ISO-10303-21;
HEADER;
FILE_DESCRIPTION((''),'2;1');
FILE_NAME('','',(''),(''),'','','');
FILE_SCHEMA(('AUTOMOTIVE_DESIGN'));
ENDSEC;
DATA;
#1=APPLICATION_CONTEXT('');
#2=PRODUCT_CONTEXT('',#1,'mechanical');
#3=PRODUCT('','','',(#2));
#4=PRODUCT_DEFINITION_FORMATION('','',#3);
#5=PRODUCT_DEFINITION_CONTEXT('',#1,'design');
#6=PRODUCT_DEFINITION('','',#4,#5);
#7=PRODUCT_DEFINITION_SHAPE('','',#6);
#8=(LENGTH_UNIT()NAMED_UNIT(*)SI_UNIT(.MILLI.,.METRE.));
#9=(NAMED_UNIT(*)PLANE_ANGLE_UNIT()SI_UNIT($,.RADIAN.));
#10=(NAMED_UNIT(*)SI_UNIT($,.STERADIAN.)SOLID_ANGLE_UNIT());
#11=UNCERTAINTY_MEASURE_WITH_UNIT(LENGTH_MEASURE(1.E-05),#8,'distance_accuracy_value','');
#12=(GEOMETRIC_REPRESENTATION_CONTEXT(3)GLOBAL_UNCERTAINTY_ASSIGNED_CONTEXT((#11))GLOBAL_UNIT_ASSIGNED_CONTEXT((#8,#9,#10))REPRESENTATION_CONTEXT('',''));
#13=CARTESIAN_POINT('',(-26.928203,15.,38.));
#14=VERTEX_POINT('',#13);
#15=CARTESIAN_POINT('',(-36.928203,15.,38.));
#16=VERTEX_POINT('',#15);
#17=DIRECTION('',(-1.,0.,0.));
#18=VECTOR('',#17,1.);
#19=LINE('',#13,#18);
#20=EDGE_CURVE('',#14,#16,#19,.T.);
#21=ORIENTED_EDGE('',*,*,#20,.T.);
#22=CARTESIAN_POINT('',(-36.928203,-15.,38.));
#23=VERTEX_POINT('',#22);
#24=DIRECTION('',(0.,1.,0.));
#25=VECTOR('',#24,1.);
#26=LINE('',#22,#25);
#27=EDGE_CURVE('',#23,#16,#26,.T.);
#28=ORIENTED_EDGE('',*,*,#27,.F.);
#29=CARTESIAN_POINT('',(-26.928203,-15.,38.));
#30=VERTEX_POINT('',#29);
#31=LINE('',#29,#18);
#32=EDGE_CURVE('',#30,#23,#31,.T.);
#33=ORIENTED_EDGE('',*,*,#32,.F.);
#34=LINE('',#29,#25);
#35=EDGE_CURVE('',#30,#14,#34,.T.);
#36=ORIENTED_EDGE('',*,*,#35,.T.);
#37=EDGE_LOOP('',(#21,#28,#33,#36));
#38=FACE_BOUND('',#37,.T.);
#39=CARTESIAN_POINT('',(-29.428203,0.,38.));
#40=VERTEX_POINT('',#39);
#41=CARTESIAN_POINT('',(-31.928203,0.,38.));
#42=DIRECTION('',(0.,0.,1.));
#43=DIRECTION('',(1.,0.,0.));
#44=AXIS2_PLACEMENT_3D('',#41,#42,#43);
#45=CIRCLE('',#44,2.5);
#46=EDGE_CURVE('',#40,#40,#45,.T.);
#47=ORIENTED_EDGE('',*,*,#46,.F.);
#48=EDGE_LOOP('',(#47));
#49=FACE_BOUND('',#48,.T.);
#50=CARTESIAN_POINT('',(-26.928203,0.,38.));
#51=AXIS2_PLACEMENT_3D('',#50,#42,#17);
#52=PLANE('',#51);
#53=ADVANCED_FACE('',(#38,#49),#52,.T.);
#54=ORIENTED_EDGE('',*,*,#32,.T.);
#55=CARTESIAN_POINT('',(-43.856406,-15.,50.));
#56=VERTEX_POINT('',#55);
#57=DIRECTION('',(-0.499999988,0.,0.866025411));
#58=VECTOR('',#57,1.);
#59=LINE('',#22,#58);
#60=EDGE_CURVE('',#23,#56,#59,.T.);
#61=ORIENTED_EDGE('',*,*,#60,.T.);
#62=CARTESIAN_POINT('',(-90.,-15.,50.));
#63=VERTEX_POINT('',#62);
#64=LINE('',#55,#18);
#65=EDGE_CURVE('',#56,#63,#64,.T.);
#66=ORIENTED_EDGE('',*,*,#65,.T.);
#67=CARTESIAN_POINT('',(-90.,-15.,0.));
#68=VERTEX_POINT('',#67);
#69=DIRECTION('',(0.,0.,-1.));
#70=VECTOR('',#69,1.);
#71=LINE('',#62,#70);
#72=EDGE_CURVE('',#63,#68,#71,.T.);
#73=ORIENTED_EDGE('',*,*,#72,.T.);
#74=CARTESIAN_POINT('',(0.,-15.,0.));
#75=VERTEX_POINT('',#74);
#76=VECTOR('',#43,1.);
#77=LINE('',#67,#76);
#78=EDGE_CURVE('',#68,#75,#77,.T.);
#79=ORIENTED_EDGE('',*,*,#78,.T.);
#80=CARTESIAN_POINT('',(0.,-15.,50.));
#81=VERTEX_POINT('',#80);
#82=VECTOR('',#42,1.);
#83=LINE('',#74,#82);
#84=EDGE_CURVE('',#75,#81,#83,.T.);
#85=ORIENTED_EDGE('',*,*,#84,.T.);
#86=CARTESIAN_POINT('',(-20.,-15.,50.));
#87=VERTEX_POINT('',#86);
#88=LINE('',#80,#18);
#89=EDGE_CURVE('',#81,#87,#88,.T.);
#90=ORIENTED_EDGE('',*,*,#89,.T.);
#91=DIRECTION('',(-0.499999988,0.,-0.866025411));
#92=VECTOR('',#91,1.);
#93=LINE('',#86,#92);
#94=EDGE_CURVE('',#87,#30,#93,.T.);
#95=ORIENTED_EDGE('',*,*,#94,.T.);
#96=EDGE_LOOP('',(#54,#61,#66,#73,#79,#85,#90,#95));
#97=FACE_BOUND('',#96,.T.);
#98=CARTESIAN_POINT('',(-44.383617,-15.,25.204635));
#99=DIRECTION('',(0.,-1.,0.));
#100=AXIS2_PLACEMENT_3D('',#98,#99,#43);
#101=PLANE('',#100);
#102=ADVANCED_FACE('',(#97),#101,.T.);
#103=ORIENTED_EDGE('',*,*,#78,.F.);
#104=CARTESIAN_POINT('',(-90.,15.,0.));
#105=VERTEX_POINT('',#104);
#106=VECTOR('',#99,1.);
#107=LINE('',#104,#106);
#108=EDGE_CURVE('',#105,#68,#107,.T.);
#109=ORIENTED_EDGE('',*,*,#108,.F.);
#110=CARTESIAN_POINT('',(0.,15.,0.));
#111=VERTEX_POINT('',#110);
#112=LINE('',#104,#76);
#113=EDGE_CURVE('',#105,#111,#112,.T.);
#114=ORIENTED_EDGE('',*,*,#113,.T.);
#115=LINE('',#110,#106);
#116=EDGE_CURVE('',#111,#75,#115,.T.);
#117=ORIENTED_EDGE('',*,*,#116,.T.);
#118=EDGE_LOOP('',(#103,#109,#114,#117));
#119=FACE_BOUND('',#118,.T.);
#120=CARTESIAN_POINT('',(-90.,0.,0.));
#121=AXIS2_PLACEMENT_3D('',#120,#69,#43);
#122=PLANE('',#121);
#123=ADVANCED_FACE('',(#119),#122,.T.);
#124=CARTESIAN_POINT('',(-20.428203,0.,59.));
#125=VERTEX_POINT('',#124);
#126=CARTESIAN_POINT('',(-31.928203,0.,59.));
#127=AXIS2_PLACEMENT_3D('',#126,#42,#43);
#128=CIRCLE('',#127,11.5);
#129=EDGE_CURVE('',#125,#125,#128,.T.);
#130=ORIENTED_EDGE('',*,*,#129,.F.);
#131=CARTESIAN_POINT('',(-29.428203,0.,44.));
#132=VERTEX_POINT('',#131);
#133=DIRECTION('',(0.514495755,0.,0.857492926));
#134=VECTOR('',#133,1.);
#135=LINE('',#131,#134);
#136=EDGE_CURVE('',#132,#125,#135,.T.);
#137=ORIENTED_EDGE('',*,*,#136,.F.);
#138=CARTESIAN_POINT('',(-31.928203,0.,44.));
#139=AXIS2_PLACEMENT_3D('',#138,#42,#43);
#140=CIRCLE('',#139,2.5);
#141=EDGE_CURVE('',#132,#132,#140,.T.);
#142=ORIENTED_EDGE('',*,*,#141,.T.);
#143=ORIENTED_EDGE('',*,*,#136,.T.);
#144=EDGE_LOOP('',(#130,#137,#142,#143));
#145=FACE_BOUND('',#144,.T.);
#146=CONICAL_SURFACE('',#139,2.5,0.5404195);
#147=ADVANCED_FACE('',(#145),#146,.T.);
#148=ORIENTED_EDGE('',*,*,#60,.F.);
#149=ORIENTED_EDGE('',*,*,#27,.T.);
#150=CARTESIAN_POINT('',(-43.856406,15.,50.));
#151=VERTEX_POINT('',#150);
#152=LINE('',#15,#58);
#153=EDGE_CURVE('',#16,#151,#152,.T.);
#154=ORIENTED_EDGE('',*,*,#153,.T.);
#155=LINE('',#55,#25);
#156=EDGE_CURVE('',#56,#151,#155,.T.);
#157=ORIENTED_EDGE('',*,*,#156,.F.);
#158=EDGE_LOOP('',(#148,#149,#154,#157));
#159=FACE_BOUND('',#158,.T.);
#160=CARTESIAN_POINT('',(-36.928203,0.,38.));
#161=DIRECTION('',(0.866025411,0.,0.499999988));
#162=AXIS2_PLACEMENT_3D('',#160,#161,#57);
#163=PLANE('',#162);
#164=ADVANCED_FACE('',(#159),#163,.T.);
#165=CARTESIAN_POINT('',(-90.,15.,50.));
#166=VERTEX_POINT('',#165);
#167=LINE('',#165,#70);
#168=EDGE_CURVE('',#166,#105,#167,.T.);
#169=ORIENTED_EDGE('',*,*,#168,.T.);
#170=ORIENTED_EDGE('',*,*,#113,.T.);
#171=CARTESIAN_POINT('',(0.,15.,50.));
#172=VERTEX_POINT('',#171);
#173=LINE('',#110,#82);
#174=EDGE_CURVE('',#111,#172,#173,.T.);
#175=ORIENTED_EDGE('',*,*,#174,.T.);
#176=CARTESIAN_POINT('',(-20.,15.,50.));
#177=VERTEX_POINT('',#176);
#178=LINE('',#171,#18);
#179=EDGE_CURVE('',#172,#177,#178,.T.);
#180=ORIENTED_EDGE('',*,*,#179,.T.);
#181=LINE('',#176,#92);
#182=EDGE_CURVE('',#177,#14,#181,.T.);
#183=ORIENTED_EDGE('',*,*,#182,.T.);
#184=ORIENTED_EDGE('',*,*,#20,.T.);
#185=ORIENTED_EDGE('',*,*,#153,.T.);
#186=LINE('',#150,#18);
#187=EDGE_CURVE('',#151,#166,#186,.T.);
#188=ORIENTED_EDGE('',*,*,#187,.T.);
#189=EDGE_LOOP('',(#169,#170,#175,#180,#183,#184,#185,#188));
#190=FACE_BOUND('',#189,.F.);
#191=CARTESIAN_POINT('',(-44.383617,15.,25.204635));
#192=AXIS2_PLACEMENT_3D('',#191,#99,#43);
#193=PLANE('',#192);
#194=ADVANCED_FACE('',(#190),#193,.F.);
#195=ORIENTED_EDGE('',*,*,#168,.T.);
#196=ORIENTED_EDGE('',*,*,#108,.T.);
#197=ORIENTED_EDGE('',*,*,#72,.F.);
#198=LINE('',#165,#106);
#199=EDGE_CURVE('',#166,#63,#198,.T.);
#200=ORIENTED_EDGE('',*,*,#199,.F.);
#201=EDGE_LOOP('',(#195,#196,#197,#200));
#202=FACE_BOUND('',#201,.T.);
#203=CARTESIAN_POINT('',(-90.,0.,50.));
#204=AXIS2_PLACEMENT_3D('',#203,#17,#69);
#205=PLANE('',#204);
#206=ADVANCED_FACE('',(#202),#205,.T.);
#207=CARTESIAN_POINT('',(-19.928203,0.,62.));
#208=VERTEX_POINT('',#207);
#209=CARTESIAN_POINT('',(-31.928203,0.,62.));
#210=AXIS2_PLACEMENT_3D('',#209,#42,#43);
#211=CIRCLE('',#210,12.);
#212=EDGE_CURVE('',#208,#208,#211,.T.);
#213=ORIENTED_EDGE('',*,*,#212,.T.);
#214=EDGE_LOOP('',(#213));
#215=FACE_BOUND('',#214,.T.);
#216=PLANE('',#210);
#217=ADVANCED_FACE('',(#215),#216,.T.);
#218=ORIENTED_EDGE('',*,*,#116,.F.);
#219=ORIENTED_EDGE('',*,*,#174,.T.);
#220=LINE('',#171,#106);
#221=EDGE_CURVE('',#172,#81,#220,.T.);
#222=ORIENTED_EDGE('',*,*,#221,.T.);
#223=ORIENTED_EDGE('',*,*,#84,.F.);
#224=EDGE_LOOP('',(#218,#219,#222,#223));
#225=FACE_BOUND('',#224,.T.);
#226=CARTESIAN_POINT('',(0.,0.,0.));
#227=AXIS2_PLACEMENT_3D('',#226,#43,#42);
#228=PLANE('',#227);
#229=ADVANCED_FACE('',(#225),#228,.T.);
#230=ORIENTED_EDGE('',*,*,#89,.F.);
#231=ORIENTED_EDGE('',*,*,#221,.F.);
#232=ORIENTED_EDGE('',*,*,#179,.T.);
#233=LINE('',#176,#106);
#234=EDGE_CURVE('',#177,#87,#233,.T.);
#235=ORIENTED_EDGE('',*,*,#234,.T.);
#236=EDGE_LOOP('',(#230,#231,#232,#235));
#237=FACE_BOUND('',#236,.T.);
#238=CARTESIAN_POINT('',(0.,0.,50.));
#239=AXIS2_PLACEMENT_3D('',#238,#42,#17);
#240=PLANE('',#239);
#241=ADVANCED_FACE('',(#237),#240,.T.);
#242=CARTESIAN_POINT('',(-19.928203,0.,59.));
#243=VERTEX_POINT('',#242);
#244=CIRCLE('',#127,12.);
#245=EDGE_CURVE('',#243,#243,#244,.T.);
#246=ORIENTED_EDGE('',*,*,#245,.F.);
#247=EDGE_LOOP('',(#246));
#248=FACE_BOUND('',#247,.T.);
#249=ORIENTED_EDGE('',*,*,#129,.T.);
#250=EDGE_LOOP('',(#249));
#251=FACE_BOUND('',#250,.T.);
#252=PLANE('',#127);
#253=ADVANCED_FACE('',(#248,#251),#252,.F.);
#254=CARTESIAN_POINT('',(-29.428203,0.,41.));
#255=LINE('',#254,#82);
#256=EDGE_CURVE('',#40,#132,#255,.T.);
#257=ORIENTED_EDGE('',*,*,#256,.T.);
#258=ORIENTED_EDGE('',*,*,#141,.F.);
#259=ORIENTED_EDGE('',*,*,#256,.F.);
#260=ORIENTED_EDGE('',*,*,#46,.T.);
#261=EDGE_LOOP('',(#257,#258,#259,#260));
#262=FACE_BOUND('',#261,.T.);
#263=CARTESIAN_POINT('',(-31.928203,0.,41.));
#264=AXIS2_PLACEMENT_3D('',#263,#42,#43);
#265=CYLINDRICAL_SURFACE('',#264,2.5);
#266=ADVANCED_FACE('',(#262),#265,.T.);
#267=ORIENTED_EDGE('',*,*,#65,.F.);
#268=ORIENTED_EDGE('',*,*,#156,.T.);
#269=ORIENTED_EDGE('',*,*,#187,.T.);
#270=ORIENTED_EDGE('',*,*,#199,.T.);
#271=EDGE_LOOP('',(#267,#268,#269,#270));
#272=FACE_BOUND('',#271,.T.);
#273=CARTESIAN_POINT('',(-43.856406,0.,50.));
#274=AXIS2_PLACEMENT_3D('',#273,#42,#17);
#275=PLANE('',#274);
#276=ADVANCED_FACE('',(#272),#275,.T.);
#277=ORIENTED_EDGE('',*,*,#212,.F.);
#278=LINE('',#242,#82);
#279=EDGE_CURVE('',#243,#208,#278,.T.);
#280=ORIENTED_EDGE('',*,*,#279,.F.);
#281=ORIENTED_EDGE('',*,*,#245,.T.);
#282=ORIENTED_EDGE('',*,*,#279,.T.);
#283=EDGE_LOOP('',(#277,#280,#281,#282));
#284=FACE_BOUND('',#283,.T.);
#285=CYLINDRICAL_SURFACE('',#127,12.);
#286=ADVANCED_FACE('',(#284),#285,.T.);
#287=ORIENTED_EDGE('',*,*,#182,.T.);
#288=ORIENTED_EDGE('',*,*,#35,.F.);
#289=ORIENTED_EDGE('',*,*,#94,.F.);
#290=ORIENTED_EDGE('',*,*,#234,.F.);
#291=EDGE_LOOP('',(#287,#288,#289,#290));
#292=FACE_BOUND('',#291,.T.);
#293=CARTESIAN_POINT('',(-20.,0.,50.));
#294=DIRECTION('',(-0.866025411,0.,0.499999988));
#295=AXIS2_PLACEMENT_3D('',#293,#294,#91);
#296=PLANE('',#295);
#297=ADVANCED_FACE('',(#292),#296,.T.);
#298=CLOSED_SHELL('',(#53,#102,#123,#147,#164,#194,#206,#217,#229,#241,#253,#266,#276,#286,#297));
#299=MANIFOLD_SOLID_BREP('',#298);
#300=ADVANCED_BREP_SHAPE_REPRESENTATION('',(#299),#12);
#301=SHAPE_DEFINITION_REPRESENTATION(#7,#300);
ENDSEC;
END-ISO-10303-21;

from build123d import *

# Parameters (mm, degrees)
F1_DEPTH = 15
F0_W     = 2.5
F0_H     = 6


with BuildPart() as f1:
    # F0 (on Front) → F1 (new body, symmetric)
    with BuildSketch(Plane.XZ):
        Polygon((-43.856406, 50), (-90, 50), (-90, 0), (0, 0), (0, 50), (-20, 50), (-26.928203, 38), (-29.428203, 38), (-31.928203, 38), (-36.928203, 38), align=None)
    extrude(amount=F1_DEPTH, both=True)

    # F0 (on Front) → F2 (revolve)
    with BuildSketch(Plane.XZ):
        with Locations((-30.678203, 41)):
            Rectangle(F0_W, F0_H)
        Polygon((-31.928203, 59), (-31.928203, 44), (-29.428203, 44), (-20.428203, 59), align=None)
        Polygon((-31.928203, 62), (-31.928203, 59), (-20.428203, 59), (-19.928203, 59), (-19.928203, 62), align=None)
    revolve(axis=Axis((-31.928203, 0, 41), (0, 0, 1)))


solid = f1.part
